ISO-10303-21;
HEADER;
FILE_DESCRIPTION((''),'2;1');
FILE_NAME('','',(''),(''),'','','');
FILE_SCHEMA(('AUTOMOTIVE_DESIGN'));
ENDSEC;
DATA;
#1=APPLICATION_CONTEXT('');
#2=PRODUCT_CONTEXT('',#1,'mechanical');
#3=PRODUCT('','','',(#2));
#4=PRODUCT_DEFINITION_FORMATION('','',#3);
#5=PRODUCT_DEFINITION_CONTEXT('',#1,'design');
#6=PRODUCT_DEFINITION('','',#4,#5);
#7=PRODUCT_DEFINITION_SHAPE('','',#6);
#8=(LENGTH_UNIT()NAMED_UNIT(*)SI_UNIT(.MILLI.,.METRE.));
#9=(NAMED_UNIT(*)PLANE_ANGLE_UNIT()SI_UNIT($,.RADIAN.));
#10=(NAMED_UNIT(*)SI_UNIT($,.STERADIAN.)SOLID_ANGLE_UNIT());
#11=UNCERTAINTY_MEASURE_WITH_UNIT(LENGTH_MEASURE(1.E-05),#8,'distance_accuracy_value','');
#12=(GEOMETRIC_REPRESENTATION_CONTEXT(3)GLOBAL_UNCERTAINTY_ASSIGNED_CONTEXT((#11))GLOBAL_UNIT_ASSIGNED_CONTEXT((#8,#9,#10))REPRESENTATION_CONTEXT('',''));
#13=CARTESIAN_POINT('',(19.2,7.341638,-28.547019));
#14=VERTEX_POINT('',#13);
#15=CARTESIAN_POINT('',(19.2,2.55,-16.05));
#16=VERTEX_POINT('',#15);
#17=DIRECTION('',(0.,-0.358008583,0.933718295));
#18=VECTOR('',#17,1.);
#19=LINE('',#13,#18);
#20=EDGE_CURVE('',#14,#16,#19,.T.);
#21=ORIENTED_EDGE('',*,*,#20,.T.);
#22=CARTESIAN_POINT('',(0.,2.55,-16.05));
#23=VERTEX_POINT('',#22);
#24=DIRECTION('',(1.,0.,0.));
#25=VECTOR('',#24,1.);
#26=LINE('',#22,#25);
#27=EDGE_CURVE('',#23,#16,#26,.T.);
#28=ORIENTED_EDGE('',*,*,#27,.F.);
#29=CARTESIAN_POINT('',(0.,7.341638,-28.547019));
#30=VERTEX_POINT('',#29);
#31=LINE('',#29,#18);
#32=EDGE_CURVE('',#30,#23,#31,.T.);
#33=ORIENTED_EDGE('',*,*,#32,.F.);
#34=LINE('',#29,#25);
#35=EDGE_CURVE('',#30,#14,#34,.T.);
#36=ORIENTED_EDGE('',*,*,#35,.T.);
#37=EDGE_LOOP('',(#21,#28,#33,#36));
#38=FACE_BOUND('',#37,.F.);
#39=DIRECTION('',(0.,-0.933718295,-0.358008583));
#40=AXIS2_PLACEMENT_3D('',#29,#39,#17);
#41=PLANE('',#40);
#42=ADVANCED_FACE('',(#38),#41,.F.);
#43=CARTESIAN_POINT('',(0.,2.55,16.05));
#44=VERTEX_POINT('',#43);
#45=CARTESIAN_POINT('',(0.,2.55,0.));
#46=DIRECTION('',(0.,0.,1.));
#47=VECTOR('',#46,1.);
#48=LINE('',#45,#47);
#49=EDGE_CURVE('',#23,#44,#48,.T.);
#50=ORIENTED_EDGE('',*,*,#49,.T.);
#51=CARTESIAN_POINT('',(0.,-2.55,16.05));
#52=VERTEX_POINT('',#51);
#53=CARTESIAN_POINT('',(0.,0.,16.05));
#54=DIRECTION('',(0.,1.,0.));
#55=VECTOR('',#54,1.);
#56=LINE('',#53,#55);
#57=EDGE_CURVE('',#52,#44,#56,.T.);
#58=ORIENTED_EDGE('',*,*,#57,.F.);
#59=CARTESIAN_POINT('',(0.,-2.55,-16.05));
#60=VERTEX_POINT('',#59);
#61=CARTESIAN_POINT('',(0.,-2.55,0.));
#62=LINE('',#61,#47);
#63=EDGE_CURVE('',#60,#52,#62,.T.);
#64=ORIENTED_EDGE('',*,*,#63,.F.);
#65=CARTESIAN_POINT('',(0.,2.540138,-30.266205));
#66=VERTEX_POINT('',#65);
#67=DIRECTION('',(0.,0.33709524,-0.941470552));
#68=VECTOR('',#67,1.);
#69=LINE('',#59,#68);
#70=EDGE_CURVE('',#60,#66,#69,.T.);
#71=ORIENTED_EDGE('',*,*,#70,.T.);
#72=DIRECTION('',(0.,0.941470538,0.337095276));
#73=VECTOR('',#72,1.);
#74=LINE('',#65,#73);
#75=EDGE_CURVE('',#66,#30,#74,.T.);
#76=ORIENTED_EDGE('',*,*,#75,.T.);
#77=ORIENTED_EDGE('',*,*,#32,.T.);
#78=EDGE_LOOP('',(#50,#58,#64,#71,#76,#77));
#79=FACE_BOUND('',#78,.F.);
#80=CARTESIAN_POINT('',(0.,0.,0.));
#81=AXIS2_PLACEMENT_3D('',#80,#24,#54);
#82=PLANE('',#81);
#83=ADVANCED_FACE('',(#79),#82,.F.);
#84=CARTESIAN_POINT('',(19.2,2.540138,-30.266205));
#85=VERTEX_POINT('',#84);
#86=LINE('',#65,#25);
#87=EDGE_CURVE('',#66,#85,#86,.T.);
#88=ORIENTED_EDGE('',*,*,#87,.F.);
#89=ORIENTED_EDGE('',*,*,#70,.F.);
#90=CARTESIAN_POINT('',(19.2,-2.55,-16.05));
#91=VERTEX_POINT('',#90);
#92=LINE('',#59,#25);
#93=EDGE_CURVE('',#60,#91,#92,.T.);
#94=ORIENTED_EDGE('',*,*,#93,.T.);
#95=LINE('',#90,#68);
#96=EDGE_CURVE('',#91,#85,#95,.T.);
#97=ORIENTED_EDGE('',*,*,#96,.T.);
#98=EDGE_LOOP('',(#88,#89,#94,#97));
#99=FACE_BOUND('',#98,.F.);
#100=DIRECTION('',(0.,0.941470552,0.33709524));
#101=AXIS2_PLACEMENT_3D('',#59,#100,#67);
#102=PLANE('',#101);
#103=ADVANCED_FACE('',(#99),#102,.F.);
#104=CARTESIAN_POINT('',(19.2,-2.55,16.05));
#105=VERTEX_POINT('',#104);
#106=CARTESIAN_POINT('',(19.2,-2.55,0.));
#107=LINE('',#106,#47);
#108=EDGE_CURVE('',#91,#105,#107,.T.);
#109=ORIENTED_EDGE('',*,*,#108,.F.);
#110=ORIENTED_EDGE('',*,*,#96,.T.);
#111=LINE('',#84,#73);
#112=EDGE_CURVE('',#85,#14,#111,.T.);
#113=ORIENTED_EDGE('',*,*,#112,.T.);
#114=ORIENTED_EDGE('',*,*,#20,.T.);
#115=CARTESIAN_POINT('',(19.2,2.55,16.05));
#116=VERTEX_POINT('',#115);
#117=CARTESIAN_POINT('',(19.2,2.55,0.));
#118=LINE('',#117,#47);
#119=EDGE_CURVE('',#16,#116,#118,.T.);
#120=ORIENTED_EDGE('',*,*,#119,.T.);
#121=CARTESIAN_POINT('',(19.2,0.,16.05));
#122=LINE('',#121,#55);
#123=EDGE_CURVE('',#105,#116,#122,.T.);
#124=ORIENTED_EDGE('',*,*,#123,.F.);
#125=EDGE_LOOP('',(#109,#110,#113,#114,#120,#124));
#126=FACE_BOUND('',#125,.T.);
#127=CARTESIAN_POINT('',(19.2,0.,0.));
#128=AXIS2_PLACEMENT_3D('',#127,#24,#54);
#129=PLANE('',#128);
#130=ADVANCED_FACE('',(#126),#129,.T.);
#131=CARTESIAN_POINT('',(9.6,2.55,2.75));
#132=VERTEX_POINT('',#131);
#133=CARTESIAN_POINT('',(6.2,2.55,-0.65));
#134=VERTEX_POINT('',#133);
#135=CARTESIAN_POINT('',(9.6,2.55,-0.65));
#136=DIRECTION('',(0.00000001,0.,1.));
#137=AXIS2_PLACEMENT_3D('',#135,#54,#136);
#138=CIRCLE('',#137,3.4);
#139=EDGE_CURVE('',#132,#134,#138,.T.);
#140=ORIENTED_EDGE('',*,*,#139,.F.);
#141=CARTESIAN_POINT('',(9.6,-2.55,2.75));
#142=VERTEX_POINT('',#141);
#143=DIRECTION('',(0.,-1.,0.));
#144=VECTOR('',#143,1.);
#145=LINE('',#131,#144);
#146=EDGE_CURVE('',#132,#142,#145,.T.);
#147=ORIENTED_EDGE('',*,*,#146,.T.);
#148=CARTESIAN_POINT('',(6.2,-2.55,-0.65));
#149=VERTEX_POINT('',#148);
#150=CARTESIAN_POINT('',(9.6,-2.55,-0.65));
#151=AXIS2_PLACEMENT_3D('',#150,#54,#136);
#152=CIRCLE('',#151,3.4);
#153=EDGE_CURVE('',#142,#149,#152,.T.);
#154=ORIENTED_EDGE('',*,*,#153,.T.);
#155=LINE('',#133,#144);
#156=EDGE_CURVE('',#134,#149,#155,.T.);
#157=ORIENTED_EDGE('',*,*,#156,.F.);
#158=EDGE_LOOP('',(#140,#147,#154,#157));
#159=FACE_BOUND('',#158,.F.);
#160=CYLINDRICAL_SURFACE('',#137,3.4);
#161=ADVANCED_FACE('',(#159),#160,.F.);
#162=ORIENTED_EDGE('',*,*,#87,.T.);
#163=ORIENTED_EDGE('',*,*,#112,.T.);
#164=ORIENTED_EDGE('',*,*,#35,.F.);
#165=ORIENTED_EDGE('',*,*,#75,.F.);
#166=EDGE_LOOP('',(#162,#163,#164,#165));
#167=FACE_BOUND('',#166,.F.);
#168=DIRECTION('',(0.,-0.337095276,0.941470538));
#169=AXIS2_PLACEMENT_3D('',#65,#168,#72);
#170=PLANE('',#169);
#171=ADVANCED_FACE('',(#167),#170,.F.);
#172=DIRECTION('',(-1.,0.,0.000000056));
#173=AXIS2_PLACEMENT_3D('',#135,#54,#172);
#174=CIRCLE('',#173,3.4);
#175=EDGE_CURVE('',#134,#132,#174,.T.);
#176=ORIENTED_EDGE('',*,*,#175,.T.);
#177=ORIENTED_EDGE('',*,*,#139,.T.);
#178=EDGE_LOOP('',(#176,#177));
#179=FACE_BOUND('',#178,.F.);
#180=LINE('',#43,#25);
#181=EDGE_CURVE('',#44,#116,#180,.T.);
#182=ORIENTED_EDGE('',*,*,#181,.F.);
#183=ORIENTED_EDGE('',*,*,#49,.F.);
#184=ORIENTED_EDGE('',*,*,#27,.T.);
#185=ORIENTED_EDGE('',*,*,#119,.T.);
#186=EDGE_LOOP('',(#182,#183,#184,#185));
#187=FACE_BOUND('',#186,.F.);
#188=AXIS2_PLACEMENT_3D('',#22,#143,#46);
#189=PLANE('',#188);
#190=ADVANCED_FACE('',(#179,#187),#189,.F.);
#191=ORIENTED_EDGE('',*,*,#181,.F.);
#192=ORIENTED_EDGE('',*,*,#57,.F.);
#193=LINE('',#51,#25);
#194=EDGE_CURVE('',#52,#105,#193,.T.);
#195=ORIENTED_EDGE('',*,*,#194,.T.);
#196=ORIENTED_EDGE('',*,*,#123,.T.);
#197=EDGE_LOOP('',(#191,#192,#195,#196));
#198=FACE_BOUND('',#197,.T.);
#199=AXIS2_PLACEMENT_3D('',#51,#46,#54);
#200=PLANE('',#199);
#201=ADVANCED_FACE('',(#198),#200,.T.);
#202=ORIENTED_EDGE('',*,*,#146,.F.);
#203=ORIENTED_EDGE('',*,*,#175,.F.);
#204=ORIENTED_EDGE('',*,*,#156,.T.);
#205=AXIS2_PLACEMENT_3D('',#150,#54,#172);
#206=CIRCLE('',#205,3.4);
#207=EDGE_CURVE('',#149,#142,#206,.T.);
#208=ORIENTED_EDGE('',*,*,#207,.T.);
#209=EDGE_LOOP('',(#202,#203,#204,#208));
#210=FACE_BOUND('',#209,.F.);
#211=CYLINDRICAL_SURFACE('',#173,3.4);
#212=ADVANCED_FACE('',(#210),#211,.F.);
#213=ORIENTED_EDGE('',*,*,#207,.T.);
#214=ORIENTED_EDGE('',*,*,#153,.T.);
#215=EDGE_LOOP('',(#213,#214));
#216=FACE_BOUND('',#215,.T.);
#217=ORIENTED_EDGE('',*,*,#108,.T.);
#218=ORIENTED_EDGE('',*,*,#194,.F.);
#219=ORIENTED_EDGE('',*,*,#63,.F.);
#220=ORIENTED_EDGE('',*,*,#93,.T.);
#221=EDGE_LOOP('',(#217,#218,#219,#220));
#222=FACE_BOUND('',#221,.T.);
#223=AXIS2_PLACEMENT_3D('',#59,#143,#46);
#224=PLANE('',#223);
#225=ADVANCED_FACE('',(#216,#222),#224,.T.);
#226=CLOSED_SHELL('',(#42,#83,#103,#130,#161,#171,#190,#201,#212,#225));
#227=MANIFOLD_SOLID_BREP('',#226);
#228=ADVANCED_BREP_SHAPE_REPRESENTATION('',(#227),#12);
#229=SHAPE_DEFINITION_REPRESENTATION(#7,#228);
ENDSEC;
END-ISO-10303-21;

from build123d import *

# Parameters (mm, degrees)
F0_W     = 5.1
F0_H     = 32.1
F1_DEPTH = 19.2
F3_DEPTH = 5.101


with BuildPart() as f1:
    # F0 (on Right) → F1 (new body)
    with BuildSketch(Plane.YZ):
        Rectangle(F0_W, F0_H)
        Polygon((2.55, -16.05), (-2.55, -16.05), (2.540138, -30.266205), (7.341638, -28.547019), align=None)
    extrude(amount=F1_DEPTH)

    # F2 (on face) → F3 (cut, through all)
    with BuildSketch(Plane(origin=(0, 2.55, 0), x_dir=(-1, 0, 0), z_dir=(0, 1, 0))):
        with BuildLine():
            ThreePointArc((-9.6, 2.75), (-12.004163, -3.054163), (-6.2, -0.65))
            ThreePointArc((-6.2, -0.65), (-7.195837, 1.754163), (-9.6, 2.75))
        make_face()
    extrude(amount=-F3_DEPTH, mode=Mode.SUBTRACT)


solid = f1.part
